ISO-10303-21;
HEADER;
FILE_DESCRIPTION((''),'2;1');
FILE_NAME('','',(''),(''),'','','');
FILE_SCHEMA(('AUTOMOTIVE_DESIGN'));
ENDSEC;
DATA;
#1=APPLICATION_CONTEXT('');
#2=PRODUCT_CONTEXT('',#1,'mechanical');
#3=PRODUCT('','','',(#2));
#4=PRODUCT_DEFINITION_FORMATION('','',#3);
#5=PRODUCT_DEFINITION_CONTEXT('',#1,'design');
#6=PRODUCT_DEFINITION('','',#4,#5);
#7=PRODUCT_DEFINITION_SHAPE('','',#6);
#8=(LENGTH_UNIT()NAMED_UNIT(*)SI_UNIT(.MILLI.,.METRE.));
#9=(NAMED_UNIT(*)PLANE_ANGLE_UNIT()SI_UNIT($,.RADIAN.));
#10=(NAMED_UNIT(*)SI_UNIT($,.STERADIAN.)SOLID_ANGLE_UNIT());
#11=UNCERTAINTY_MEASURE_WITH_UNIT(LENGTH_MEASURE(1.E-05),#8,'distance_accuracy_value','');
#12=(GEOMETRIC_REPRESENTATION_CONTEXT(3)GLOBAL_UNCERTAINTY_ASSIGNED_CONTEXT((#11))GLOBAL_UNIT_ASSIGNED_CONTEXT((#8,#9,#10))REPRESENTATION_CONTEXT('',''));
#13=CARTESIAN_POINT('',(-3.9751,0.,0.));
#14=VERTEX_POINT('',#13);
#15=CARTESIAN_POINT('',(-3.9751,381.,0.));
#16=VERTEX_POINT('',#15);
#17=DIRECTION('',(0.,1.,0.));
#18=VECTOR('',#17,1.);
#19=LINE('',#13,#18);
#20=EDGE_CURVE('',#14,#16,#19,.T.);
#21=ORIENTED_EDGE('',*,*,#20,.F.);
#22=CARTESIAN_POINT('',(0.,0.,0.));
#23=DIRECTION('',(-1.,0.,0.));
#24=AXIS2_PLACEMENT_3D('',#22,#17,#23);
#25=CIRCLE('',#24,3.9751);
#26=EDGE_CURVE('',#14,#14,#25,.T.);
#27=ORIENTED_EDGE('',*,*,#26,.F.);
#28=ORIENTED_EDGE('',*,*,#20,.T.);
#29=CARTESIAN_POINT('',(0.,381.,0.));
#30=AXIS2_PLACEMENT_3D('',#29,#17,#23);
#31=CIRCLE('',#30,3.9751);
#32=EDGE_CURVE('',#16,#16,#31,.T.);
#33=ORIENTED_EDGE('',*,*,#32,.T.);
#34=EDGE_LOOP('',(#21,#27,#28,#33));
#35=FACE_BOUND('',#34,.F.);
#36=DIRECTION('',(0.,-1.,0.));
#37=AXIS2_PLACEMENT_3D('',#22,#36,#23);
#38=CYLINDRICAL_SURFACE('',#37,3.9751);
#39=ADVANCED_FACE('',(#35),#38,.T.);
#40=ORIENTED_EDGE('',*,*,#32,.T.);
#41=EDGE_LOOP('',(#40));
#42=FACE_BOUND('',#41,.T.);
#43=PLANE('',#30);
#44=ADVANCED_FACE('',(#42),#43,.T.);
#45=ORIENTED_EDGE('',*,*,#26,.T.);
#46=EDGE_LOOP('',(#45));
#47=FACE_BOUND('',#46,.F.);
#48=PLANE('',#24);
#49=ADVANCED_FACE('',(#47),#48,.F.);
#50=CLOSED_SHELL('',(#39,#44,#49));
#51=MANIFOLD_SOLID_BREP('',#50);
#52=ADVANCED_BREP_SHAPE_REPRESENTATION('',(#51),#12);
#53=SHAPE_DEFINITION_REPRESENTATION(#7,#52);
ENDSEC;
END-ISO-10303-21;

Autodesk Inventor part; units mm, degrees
ref_plane "YZ Plane" through (0, 0, 0) normal (1, 0, 0) x (0, 1, 0)
ref_plane "XZ Plane" through (0, 0, 0) normal (0, 1, 0) x (-1, 0, 0)
ref_plane "XY Plane" through (0, 0, 0) normal (0, 0, 1) x (1, 0, 0)
sketch "Sketch1" plane through (0, 0, 0) normal (0, 1, 0) x (-1, 0, 0)
  circle A0 centre (0, 0) radius 3.9751
  dimension "d0" = 7.9502
extrude "Extrusion1" add sketch "Sketch1" along normal blind 381
properties part number "0.313 in shaft (15 in)"
